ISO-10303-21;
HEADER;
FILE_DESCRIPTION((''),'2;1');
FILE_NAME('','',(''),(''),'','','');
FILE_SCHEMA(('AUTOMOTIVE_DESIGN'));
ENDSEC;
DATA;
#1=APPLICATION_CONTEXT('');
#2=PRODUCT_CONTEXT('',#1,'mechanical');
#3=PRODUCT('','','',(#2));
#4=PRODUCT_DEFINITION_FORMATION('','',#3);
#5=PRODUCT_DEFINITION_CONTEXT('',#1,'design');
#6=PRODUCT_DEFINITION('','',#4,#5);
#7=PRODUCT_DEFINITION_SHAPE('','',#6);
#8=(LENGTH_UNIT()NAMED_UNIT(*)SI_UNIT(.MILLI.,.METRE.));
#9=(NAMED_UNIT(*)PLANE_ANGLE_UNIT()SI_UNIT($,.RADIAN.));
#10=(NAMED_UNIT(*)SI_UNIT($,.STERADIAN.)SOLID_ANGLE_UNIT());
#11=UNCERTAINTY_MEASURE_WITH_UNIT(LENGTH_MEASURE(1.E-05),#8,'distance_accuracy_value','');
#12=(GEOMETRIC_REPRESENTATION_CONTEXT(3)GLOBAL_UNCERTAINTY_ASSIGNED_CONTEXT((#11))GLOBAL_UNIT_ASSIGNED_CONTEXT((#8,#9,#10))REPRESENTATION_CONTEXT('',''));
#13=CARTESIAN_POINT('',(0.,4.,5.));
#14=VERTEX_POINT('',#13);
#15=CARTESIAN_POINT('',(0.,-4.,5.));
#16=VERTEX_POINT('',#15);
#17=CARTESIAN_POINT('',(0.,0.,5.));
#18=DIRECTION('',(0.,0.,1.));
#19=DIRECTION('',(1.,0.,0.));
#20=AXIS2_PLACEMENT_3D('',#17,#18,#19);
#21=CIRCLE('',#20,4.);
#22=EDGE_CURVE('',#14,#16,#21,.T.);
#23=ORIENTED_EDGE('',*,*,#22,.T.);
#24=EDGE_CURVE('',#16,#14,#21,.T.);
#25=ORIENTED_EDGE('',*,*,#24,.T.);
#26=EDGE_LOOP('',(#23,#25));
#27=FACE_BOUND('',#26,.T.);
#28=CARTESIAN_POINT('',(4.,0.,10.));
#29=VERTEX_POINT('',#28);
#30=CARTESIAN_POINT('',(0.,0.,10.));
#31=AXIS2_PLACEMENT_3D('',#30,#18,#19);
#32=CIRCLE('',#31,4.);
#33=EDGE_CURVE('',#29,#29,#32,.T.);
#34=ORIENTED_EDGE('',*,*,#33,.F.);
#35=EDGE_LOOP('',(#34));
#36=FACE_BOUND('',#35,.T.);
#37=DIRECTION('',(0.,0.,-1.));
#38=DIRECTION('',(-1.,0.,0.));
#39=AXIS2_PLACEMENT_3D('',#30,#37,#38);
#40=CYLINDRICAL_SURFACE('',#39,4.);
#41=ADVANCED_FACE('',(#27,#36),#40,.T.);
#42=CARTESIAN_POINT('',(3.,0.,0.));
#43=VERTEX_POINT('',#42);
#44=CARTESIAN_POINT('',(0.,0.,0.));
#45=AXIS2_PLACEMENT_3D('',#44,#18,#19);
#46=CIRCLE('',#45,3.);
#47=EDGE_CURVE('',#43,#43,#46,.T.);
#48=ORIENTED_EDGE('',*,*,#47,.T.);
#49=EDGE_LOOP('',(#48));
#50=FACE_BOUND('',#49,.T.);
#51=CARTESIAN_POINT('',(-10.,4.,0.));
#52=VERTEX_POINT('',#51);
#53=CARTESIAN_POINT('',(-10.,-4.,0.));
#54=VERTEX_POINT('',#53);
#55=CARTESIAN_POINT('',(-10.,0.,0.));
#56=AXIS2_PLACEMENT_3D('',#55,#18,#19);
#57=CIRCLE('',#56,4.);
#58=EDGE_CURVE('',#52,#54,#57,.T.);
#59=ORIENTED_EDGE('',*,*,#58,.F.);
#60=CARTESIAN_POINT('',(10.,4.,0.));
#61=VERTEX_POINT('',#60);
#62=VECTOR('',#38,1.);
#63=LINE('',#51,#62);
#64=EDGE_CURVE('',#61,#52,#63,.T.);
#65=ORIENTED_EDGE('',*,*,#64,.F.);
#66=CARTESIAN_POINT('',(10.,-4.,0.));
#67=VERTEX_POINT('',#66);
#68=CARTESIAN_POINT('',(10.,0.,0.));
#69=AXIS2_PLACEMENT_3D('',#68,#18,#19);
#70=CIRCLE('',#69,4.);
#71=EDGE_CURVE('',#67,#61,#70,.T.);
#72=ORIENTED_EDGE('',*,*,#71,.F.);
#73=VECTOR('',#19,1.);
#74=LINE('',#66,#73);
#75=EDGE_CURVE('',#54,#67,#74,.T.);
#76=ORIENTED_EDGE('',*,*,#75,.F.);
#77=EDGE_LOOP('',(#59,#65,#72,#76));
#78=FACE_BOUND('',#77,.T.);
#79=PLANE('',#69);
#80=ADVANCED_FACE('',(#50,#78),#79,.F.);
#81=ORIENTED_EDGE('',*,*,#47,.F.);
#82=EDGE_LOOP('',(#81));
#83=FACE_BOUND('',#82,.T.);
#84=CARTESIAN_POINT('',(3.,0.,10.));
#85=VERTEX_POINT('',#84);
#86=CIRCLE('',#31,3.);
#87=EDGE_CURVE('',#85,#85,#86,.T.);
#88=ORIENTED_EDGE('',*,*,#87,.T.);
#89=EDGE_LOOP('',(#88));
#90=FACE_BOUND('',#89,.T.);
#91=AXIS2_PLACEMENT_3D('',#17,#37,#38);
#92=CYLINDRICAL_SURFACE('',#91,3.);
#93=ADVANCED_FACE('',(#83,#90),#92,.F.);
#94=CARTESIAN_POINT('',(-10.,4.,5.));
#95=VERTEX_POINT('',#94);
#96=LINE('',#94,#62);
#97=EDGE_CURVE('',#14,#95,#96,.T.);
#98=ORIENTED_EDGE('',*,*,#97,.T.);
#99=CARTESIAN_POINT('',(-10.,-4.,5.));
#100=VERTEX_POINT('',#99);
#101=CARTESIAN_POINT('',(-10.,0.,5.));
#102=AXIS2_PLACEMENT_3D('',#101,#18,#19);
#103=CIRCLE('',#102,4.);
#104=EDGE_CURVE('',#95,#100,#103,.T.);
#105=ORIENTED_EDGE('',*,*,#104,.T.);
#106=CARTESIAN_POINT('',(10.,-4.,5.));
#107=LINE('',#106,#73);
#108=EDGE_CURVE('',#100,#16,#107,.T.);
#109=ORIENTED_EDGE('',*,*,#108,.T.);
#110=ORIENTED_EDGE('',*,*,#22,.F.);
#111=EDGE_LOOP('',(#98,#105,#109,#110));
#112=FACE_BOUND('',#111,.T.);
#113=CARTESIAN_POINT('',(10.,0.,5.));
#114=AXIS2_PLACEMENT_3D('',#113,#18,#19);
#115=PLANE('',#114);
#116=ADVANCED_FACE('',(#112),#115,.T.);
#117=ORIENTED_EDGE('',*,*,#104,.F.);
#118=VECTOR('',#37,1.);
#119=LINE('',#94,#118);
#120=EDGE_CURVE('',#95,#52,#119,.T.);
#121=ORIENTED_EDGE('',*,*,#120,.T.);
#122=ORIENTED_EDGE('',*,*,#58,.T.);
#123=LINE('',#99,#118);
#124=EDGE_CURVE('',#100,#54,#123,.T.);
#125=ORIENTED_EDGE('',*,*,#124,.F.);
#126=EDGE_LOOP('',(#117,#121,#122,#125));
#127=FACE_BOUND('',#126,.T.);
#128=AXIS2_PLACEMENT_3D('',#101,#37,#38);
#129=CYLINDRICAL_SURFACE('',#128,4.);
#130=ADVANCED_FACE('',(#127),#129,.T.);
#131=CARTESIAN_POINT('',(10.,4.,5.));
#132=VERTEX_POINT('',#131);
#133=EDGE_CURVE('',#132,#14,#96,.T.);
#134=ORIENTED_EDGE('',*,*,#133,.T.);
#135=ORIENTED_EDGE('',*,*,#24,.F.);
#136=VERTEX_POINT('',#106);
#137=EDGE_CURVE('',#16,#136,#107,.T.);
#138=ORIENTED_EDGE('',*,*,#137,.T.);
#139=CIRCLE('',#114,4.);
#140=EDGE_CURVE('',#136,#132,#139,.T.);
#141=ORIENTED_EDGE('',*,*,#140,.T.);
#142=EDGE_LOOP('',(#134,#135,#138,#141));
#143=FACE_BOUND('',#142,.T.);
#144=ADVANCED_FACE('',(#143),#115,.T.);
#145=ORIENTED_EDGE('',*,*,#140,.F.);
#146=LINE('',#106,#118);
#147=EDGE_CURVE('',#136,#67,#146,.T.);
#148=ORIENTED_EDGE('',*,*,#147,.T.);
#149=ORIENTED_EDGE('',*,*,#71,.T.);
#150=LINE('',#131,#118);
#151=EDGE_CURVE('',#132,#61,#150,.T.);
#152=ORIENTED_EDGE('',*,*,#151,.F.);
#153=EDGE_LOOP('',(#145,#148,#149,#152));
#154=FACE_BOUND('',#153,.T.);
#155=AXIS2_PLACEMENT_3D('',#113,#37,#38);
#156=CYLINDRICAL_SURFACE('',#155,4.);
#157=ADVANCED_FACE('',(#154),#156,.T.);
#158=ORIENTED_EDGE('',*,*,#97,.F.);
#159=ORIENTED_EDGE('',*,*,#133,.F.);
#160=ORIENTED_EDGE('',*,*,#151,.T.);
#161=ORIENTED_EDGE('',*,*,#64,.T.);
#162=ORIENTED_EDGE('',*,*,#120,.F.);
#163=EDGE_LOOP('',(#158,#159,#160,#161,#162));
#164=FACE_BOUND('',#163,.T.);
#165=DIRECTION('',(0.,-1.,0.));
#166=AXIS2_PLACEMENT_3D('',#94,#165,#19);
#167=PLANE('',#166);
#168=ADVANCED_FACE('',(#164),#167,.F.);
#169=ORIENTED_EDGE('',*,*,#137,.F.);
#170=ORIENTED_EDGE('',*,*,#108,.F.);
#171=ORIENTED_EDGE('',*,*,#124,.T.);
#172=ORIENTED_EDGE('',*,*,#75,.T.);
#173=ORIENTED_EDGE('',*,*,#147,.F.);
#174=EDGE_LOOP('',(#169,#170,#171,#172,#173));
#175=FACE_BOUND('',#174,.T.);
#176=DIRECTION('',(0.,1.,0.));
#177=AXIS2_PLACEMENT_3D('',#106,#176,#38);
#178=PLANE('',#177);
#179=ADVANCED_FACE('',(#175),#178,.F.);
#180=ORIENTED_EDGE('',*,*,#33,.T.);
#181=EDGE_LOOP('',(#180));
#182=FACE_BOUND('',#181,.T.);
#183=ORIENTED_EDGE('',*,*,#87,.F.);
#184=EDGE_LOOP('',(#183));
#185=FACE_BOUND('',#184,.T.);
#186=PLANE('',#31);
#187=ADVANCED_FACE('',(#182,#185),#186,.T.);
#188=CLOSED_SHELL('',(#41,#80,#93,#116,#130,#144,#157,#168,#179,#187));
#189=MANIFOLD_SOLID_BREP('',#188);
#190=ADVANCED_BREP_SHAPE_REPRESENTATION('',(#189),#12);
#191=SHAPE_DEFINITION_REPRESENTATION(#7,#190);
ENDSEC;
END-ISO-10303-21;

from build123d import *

# Parameters (mm, degrees)
SKETCH1_R           = 3
BOSS_EXTRUDE1_DEPTH = 5
SKETCH2_R           = 4
SKETCH2_R_2         = 3
BOSS_EXTRUDE2_DEPTH = 5


with BuildPart() as part:
    # Sketch1 → Boss-Extrude1 (new body)
    with BuildSketch(Plane.XY):
        with BuildLine():
            Line((-10, 4), (10, 4))
            ThreePointArc((10, 4), (14, 0), (10, -4))
            Line((10, -4), (-10, -4))
            ThreePointArc((-10, -4), (-14, 0), (-10, 4))
        make_face()
        Circle(SKETCH1_R, mode=Mode.SUBTRACT)
    extrude(amount=BOSS_EXTRUDE1_DEPTH)

    # Sketch2 → Boss-Extrude2 (add)
    with BuildSketch(Plane.XY.offset(5)):
        Circle(SKETCH2_R)
        Circle(SKETCH2_R_2, mode=Mode.SUBTRACT)
    extrude(amount=BOSS_EXTRUDE2_DEPTH)


solid = part.part
